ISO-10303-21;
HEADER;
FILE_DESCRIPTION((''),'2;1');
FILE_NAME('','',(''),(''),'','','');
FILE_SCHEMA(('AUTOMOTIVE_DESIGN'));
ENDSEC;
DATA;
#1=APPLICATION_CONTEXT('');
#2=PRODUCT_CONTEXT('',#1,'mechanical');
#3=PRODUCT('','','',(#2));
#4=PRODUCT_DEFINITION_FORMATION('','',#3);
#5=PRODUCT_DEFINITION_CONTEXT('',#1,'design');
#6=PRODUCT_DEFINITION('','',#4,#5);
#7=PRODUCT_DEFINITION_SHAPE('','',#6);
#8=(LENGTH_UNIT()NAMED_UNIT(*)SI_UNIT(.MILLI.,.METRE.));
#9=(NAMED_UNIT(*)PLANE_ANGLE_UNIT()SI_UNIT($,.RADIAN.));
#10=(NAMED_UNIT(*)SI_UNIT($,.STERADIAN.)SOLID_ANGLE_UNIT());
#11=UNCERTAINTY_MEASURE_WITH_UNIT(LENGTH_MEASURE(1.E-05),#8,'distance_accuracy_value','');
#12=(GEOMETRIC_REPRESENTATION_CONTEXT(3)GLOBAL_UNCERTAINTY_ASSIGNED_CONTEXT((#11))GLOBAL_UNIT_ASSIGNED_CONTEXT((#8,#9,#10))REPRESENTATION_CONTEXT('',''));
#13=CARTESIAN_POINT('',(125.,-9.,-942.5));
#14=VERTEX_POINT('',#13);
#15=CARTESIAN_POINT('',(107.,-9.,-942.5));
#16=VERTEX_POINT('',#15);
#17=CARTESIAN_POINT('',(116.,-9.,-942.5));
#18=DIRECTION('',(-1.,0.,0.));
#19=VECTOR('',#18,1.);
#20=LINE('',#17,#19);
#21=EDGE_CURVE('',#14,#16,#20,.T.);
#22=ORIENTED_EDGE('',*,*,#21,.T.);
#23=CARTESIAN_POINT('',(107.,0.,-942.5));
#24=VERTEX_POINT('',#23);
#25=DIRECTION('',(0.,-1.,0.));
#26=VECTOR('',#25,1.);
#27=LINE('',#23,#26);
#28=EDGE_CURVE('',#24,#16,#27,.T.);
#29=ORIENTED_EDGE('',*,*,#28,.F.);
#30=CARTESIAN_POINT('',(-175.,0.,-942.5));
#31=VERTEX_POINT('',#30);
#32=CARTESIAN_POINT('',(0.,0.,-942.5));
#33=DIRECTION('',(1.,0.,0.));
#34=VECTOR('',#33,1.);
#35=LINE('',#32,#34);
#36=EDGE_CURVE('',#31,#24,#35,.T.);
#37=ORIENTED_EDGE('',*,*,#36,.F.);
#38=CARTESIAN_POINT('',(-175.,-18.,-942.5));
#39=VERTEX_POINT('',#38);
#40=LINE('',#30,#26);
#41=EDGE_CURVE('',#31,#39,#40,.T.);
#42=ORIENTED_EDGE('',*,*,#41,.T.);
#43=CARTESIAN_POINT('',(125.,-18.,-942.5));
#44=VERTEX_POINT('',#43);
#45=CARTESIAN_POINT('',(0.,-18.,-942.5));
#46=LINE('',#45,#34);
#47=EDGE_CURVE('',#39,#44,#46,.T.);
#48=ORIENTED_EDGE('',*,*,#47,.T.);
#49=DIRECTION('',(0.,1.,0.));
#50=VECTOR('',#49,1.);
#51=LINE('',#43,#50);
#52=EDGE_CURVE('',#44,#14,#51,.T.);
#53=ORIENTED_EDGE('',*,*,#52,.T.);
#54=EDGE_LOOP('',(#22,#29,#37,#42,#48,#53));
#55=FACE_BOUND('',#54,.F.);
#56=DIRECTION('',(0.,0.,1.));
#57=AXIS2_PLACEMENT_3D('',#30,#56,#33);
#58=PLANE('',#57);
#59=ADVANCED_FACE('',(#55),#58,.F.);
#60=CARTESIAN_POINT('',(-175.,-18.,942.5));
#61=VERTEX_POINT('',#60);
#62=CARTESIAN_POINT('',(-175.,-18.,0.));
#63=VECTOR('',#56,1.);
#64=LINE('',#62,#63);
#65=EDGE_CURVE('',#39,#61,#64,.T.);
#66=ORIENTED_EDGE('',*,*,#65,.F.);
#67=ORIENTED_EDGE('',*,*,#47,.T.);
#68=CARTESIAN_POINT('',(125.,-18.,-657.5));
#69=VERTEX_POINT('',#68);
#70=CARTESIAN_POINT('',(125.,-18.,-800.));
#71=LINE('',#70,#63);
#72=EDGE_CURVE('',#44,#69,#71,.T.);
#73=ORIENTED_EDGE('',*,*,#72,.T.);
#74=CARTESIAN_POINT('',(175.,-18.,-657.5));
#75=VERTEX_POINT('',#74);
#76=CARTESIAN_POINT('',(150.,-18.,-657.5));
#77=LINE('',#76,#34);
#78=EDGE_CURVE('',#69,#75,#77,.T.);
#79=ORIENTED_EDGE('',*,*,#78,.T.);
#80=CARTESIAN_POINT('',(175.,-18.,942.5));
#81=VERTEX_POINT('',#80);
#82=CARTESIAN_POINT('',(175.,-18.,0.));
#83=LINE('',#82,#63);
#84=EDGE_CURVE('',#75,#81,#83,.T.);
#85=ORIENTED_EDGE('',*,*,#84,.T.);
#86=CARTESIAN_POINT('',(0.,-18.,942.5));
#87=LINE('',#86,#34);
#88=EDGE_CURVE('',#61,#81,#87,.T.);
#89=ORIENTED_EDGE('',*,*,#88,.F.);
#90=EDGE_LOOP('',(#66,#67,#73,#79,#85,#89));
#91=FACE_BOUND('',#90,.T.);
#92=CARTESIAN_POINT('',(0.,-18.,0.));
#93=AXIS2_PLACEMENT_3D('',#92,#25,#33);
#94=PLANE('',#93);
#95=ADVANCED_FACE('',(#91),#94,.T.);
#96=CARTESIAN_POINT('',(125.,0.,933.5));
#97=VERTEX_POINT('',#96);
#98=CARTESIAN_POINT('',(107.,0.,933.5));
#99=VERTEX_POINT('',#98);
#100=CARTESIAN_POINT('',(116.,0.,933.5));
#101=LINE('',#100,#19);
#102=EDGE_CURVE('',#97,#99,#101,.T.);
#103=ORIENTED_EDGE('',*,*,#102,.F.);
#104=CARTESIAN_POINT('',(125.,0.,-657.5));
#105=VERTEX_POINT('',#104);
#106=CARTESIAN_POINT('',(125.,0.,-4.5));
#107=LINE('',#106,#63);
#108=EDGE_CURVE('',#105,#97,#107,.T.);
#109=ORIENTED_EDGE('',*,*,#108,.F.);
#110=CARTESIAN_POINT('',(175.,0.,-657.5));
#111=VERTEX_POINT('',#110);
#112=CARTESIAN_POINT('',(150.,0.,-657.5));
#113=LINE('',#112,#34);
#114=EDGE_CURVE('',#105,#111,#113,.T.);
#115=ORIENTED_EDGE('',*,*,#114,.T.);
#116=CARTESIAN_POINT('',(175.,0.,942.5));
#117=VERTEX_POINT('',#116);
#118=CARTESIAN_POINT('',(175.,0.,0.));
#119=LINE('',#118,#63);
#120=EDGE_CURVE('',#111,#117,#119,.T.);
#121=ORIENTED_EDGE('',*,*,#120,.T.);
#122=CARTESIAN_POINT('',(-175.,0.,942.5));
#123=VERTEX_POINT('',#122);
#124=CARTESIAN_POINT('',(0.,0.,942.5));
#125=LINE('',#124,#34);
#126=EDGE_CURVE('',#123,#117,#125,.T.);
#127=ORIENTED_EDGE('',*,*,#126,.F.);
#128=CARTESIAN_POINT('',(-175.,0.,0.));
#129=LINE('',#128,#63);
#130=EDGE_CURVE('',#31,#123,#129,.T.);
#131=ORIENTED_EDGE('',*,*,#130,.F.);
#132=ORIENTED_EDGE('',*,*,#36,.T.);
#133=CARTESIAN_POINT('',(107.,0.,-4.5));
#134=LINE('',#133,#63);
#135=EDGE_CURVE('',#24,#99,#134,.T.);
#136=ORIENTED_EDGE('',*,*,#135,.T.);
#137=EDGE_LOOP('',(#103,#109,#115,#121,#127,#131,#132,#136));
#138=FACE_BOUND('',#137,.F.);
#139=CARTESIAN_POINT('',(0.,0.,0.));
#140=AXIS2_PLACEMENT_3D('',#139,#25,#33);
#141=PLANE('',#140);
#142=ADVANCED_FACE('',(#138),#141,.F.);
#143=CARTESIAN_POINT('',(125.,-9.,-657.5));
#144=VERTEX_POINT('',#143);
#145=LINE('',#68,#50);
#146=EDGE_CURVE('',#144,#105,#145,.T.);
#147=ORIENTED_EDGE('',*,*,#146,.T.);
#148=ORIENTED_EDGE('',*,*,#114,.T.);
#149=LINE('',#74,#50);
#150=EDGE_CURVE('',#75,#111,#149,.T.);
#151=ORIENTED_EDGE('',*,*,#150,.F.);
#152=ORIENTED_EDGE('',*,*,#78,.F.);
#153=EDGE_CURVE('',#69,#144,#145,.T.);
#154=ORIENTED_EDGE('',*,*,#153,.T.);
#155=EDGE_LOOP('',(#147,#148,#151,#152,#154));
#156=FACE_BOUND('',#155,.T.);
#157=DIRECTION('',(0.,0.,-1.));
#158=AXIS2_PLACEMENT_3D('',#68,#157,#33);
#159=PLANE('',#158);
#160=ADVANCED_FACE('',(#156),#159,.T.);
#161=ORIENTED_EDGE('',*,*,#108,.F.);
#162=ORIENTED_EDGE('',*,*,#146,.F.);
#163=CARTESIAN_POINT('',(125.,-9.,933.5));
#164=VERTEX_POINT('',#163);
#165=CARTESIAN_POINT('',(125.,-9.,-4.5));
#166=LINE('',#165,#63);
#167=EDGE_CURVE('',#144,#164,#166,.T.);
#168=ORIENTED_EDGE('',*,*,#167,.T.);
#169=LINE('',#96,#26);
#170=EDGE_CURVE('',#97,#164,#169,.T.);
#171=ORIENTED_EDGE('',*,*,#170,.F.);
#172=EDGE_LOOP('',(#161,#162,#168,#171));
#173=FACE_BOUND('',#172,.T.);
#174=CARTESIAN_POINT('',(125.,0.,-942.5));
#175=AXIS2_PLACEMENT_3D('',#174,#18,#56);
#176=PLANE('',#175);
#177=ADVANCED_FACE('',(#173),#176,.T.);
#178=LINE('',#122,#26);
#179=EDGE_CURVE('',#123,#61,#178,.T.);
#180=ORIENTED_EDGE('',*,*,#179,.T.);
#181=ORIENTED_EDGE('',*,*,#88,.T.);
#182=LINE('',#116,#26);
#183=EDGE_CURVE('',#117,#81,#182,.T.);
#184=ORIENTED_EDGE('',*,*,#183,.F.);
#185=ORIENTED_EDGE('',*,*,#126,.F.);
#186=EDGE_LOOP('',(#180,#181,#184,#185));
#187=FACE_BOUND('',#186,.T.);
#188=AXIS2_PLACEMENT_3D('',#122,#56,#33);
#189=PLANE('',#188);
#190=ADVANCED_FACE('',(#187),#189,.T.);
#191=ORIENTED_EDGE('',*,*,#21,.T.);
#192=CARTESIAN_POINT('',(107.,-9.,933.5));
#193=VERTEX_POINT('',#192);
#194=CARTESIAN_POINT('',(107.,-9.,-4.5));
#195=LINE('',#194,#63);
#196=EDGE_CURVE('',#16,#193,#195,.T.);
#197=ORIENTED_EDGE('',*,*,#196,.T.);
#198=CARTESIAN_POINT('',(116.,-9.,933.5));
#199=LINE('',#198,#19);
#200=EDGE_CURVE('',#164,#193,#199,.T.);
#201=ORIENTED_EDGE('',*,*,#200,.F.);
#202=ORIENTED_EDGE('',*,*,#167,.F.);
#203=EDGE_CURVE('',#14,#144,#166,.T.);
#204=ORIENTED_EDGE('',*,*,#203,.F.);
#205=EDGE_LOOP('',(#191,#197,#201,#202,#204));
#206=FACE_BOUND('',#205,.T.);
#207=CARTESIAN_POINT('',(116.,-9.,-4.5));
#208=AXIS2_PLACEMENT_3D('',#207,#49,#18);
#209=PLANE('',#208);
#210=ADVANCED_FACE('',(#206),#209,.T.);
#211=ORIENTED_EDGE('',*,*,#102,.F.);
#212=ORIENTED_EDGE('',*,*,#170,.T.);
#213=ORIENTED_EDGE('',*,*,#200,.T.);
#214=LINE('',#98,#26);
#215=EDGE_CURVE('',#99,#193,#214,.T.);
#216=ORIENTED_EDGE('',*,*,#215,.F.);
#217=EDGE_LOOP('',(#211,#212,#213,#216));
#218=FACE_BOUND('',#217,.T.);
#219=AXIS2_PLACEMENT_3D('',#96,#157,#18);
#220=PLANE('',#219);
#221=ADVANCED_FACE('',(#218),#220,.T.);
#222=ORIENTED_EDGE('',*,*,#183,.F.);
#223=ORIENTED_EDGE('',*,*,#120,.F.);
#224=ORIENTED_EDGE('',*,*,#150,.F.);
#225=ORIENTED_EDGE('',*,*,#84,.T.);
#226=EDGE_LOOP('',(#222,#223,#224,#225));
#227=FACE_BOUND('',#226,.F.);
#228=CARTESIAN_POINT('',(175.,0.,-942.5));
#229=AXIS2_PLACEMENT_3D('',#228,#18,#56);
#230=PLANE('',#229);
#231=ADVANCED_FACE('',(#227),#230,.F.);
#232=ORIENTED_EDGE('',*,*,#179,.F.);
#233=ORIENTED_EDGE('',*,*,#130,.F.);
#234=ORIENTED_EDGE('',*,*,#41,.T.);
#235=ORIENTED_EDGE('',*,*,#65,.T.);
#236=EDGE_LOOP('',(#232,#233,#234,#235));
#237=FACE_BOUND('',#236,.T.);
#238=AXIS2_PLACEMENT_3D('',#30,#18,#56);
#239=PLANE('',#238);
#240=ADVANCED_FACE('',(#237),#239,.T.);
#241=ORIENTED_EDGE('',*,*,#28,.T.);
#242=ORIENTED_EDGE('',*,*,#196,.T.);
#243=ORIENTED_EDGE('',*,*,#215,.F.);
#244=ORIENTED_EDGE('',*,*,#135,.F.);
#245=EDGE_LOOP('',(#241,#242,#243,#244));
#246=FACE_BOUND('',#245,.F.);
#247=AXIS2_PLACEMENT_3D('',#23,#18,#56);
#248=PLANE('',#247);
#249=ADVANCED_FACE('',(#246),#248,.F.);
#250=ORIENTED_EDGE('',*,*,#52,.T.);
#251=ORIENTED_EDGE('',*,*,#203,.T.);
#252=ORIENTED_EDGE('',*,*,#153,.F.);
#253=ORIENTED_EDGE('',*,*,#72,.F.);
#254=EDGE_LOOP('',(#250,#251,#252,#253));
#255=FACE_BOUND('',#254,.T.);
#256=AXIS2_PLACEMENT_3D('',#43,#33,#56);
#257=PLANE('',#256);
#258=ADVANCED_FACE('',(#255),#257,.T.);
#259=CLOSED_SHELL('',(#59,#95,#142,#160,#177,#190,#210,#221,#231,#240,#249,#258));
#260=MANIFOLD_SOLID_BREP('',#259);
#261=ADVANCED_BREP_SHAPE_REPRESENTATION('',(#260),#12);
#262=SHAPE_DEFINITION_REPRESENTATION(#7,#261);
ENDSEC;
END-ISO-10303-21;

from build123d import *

# Parameters (mm, degrees)
F0_W     = 350
F0_H     = 1885
F1_DEPTH = 18
F2_W     = 50
F2_H     = 285
F3_DEPTH = 18
F4_W     = 18
F4_H     = 1876
F5_DEPTH = 9


with BuildPart() as f1:
    # F0 (on Front) → F1 (new body)
    with BuildSketch(Plane.XZ):
        Rectangle(F0_W, F0_H)
    extrude(amount=F1_DEPTH)

    # F2 (on face) → F3 (cut)
    with BuildSketch(Plane.XZ.offset(18)):
        with Locations((150, -800)):
            Rectangle(F2_W, F2_H)
    extrude(amount=-F3_DEPTH, mode=Mode.SUBTRACT)

    # F4 (on face) → F5 (cut)
    with BuildSketch(Plane(origin=(0, 0, 0), x_dir=(-1, 0, 0), z_dir=(0, 1, 0))):
        with Locations((-116, -4.5)):
            Rectangle(F4_W, F4_H)
    extrude(amount=-F5_DEPTH, mode=Mode.SUBTRACT)


solid = f1.part
